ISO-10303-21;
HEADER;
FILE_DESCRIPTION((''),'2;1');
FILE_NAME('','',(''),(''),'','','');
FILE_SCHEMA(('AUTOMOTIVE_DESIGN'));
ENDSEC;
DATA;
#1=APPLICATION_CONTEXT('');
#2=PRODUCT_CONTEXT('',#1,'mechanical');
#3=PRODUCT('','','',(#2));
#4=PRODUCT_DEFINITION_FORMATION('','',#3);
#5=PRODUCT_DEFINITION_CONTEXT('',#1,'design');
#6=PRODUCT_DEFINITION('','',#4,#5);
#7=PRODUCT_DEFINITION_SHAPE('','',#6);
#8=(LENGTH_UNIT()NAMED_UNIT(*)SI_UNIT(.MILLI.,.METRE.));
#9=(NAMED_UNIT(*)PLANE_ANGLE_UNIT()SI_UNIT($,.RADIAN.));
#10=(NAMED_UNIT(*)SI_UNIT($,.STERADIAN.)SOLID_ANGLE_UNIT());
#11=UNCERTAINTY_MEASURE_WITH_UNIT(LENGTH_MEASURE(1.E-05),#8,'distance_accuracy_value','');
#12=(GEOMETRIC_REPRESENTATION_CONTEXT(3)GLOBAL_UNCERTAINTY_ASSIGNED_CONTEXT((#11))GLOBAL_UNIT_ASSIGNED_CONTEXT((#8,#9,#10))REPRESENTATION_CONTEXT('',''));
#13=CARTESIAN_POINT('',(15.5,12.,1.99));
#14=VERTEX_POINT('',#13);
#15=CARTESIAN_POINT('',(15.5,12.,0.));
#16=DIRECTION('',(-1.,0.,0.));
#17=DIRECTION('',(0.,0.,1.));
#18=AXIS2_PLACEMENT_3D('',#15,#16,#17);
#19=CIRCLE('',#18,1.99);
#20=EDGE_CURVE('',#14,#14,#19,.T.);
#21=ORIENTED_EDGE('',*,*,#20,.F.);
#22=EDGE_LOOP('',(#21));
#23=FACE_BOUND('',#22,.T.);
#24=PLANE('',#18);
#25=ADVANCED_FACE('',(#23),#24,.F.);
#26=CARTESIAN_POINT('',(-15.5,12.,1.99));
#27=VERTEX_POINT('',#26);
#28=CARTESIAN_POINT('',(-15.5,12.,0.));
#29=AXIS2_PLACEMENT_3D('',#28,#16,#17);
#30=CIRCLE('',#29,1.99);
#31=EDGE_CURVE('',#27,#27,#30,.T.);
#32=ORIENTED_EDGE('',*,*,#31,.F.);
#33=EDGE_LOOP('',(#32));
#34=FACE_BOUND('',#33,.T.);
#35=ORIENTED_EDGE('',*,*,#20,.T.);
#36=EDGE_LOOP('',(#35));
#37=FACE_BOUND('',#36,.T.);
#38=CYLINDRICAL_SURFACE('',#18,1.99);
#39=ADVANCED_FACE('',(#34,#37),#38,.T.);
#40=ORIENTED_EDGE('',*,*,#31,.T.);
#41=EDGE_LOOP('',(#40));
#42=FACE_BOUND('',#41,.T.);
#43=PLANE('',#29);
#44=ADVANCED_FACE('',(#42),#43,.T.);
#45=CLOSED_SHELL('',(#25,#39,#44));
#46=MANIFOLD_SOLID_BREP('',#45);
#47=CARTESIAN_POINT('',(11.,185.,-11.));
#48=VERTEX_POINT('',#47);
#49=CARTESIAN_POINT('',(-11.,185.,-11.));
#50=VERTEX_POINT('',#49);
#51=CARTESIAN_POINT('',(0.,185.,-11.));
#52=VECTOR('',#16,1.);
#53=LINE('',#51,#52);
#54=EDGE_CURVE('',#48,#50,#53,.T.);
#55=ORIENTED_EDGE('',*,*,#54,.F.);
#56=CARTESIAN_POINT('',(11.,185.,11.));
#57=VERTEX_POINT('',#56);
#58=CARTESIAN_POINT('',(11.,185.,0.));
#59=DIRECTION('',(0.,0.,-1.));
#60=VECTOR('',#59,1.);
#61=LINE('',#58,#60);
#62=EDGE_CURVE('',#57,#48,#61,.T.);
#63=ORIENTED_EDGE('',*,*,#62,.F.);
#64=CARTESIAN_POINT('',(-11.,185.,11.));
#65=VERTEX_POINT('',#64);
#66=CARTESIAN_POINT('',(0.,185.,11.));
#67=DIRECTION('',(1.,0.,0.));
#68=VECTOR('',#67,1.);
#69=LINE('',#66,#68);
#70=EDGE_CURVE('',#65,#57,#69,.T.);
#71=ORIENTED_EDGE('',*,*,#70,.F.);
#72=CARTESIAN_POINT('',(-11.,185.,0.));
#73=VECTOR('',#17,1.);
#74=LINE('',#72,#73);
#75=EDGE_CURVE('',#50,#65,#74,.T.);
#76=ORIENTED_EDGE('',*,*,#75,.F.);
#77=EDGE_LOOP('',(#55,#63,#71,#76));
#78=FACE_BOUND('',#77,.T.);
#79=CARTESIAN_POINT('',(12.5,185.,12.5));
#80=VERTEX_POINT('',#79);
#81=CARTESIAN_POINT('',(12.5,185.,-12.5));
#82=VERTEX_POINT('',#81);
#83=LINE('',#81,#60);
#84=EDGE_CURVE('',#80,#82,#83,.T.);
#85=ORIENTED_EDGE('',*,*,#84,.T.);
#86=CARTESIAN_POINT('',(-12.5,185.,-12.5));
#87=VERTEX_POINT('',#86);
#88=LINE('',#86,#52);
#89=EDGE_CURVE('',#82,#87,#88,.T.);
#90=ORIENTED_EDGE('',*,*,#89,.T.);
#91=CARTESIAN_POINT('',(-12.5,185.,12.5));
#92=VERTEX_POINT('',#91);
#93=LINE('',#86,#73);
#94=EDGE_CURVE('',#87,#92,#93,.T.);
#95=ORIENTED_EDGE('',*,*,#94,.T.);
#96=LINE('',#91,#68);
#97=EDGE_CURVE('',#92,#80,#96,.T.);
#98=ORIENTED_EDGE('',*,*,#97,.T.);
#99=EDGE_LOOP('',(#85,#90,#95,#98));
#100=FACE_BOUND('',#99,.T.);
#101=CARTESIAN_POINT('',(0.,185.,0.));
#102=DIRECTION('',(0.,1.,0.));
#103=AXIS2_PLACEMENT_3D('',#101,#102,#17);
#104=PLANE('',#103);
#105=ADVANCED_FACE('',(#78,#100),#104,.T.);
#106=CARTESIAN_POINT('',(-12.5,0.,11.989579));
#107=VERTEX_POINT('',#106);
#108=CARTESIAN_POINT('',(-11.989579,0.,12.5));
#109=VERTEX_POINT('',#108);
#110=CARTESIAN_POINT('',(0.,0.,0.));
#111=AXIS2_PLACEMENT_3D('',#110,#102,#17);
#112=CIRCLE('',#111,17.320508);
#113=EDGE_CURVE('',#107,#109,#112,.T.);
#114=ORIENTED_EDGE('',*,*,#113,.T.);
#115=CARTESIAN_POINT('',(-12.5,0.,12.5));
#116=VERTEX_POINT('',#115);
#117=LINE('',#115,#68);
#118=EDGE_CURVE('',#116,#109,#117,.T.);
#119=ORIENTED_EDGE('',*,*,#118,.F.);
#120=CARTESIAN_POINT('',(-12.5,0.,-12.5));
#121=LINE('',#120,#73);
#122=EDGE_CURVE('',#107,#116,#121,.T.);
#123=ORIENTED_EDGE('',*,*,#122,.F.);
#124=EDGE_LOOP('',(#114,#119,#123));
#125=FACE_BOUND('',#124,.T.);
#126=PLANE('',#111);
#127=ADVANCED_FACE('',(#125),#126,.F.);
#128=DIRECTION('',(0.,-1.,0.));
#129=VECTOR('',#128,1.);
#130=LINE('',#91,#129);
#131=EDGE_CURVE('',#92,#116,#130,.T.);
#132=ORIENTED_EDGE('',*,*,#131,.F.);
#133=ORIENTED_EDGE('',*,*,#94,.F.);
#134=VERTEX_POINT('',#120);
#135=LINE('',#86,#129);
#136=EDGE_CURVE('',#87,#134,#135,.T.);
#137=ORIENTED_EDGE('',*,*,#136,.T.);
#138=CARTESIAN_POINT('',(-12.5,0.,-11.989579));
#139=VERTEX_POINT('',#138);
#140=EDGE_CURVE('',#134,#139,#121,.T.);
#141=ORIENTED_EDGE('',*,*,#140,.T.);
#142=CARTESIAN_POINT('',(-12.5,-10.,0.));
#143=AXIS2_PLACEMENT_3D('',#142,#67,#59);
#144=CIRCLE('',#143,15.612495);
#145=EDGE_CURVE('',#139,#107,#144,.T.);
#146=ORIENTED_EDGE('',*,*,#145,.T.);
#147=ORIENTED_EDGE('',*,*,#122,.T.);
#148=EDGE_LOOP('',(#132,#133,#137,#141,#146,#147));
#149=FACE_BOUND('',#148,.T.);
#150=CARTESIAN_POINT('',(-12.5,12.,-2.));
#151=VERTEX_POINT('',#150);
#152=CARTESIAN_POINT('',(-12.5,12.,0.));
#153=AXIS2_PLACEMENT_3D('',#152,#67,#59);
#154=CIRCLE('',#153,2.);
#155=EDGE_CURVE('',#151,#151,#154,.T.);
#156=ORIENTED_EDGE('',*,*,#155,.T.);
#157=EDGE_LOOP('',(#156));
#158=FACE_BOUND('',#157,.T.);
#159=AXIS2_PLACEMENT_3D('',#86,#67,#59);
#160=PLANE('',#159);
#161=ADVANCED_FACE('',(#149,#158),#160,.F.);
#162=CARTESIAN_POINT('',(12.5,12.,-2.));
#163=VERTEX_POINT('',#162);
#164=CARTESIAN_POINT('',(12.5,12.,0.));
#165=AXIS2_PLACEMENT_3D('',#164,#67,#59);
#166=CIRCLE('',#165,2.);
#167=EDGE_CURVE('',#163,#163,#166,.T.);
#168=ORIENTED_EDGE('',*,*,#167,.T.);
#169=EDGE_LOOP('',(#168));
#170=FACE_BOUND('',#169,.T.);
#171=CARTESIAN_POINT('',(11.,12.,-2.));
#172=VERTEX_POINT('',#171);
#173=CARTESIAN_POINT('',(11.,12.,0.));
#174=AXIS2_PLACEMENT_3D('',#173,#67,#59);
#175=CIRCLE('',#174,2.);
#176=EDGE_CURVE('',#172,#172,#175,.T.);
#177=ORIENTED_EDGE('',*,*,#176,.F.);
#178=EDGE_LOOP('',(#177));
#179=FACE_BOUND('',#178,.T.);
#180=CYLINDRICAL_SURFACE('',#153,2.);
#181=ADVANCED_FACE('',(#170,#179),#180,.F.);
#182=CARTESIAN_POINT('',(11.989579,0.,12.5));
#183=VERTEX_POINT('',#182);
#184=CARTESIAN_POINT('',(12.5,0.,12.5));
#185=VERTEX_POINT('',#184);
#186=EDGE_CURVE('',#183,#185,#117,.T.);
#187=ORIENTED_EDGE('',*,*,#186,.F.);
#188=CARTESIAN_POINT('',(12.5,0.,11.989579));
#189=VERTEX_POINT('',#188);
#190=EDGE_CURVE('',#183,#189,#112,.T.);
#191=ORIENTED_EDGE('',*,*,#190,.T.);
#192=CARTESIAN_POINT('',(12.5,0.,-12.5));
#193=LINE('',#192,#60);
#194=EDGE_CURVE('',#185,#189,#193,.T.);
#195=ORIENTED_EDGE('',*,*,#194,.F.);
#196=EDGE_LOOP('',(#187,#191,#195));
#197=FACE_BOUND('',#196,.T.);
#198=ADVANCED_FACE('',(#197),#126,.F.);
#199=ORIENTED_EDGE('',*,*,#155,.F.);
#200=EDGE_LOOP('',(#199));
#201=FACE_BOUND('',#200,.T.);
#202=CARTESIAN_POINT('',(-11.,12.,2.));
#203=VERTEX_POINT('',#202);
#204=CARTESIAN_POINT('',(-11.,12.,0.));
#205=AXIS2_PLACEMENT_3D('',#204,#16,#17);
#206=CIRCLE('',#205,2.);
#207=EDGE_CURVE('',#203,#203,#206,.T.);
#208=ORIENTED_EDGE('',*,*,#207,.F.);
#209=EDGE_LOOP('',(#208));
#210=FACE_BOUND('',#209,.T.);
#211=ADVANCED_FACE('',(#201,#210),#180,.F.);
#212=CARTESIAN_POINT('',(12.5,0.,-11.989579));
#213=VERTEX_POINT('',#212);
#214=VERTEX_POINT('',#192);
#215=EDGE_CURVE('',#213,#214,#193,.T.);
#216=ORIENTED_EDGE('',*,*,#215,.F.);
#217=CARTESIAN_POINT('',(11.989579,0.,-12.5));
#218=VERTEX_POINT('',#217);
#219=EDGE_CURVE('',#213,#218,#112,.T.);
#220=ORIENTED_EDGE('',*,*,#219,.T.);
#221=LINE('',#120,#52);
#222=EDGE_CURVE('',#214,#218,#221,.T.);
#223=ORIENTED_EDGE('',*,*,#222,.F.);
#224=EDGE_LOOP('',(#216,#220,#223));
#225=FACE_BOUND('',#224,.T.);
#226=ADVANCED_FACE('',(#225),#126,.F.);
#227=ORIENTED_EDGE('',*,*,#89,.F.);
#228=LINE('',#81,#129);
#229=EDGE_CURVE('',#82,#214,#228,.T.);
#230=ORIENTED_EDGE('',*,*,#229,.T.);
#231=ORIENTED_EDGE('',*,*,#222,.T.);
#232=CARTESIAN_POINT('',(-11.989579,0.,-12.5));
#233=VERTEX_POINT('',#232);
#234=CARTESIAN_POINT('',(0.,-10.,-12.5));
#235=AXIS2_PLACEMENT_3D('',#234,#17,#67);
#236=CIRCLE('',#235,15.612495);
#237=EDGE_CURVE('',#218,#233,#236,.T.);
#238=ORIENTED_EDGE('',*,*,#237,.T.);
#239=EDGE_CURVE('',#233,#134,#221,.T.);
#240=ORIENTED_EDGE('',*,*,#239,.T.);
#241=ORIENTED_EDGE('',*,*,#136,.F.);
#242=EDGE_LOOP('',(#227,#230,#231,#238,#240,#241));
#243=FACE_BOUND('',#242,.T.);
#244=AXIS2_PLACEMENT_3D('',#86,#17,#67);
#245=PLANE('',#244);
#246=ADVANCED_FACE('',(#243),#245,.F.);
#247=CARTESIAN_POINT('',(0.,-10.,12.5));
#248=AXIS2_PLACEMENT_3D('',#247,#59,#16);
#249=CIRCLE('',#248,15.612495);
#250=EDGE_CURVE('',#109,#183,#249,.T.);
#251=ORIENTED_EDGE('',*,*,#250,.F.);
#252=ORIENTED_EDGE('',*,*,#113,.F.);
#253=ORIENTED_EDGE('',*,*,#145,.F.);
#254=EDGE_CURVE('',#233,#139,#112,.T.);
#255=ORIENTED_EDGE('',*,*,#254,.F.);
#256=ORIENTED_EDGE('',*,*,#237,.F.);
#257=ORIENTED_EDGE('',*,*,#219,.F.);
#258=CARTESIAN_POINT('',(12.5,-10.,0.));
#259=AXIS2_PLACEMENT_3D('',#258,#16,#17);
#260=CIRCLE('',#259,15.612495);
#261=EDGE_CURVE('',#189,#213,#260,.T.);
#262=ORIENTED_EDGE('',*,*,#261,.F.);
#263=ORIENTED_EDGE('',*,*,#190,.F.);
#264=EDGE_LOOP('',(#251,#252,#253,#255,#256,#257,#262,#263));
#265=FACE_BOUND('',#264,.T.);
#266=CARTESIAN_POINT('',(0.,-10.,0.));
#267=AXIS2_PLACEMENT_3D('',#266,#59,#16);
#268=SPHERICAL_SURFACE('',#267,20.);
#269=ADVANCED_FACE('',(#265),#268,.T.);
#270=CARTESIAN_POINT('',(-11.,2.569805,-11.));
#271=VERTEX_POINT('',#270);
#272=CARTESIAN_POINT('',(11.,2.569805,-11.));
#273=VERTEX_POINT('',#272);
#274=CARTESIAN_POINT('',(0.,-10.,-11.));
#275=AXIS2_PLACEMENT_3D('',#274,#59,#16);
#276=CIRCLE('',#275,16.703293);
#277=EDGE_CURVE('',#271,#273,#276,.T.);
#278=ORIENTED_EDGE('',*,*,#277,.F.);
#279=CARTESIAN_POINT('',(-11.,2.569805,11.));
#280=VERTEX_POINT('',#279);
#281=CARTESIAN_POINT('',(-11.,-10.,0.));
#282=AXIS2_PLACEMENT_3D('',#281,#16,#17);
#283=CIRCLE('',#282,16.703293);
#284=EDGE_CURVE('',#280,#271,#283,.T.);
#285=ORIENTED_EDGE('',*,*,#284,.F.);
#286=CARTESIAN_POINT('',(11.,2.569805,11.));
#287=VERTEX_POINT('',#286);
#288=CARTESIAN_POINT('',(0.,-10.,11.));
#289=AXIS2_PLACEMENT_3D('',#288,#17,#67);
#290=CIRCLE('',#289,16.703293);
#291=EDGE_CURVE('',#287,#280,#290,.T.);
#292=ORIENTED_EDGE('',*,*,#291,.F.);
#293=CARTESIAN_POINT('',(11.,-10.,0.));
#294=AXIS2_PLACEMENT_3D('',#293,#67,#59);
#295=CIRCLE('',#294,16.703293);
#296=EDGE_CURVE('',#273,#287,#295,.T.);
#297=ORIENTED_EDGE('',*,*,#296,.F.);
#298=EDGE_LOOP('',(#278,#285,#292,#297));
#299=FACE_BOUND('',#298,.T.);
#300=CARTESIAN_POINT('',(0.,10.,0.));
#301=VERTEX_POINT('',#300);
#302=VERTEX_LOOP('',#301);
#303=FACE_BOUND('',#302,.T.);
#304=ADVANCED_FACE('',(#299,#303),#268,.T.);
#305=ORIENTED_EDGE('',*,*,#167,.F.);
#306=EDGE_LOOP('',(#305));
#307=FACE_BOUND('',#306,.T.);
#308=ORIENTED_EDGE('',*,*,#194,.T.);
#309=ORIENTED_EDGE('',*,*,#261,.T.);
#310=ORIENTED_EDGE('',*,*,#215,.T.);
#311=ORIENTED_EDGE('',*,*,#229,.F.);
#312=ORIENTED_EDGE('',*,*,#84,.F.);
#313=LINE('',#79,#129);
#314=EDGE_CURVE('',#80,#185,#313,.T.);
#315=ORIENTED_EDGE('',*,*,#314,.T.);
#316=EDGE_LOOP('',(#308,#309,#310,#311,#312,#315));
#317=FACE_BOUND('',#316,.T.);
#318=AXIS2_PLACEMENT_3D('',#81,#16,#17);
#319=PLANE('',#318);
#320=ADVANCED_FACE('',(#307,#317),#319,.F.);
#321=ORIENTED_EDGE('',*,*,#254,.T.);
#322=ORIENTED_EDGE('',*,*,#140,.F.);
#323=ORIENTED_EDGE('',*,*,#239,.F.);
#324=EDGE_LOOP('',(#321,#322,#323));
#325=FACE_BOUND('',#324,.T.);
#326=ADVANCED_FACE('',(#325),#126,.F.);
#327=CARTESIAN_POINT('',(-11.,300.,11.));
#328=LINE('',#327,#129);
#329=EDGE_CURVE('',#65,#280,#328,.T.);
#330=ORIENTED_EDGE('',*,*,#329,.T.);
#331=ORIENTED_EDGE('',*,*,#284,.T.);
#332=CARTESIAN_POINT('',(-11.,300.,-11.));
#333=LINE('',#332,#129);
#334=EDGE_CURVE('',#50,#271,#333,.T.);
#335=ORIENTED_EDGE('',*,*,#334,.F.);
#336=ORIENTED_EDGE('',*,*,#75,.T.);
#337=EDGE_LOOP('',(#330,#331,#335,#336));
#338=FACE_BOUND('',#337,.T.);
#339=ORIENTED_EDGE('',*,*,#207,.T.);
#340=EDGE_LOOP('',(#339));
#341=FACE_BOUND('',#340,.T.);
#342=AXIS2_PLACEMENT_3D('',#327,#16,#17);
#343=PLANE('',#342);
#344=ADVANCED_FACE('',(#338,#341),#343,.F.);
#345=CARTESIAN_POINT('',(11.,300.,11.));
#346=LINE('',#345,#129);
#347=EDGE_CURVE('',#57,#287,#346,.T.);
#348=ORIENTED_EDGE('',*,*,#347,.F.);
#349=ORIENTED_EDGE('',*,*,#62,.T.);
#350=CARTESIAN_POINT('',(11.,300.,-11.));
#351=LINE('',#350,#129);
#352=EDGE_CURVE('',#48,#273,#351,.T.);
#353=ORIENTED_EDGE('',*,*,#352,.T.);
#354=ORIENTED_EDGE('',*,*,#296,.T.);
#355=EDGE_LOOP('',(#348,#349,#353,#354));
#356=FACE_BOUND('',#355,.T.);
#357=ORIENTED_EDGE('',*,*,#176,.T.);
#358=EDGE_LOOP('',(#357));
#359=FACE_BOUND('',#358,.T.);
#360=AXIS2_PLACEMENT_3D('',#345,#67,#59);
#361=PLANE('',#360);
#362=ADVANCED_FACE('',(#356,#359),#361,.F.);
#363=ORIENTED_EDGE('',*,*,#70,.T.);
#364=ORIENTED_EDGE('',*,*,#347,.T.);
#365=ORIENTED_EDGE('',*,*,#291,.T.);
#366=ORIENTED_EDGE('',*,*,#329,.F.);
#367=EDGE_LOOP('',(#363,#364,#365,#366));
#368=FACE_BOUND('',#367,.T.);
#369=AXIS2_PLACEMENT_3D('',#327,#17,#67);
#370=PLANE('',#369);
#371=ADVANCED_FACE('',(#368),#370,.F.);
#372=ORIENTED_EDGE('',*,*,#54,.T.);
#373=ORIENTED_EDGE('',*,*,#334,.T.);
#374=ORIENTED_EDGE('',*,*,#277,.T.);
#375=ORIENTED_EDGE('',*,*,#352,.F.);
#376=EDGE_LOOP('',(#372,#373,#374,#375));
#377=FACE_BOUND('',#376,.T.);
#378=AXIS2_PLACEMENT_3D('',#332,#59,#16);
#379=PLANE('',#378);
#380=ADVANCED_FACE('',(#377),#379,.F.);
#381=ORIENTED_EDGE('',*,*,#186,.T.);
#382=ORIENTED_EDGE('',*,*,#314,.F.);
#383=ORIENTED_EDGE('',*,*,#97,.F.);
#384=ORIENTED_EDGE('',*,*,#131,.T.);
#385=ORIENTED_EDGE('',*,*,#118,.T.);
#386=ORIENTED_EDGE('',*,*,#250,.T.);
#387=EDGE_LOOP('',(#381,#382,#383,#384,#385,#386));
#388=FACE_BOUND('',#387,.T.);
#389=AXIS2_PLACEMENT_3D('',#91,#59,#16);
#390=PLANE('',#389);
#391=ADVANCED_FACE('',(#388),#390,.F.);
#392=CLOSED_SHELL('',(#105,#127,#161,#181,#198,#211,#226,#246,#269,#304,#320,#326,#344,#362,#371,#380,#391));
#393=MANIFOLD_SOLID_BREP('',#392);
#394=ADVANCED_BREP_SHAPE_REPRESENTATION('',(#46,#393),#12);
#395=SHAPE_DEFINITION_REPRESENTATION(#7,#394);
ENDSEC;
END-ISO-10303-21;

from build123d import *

# Parameters (mm, degrees)
SKETCH1_W           = 25
SKETCH1_H           = 25
BOSS_EXTRUDE1_DEPTH = 185
SKETCH3_W           = 22
SKETCH3_H           = 22
CUT_EXTRUDE1_DEPTH  = 300
SKETCH6_R           = 2
CUT_EXTRUDE3_DEPTH  = 25
SKETCH9_R           = 1.99
BOSS_EXTRUDE8_DEPTH = 28
SKETCH10_R          = 1.99
BOSS_EXTRUDE9_DEPTH = 3


with BuildPart() as part:
    # Sketch1 → Boss-Extrude1 (new body)
    with BuildSketch(Plane(origin=(0, 0, 0), x_dir=(1, 0, 0), z_dir=(0, 1, 0))):
        Rectangle(SKETCH1_W, SKETCH1_H)
    extrude(amount=BOSS_EXTRUDE1_DEPTH)

    # Sketch3 → Cut-Extrude1 (cut)
    with BuildSketch(Plane.XZ):
        Rectangle(SKETCH3_W, SKETCH3_H)
    extrude(amount=-CUT_EXTRUDE1_DEPTH, mode=Mode.SUBTRACT)

    # Sketch4 → Revolve1 (revolve)
    with BuildSketch(Plane(origin=(0, -10, 0), x_dir=(-1, 0, 0), z_dir=(0, -1, 0))):
        with BuildLine():
            Line((0, 20), (0, -20))
            ThreePointArc((0, -20), (-20, 0), (0, 20))
        make_face()
    revolve(axis=Axis((0, -10, -13.212098256), (0, 0, 1)))

    # Sketch6 → Cut-Extrude3 (cut)
    with BuildSketch(Plane(origin=(12.5, 0, 0), x_dir=(0, 0, -1), z_dir=(1, 0, 0))):
        with Locations((0, 12)):
            Circle(SKETCH6_R)
    extrude(amount=-CUT_EXTRUDE3_DEPTH, mode=Mode.SUBTRACT)


with BuildPart() as body_2:
    # Sketch9 → Boss-Extrude8 (new body)
    with BuildSketch(Plane.ZY.offset(12.5)):
        with Locations((0, 12)):
            Circle(SKETCH9_R)
    extrude(amount=-BOSS_EXTRUDE8_DEPTH)

    # Sketch10 → Boss-Extrude9 (add)
    with BuildSketch(Plane.ZY.offset(12.5)):
        with Locations((0, 12)):
            Circle(SKETCH10_R)
    extrude(amount=BOSS_EXTRUDE9_DEPTH)


solid = Compound([part.part, body_2.part])
